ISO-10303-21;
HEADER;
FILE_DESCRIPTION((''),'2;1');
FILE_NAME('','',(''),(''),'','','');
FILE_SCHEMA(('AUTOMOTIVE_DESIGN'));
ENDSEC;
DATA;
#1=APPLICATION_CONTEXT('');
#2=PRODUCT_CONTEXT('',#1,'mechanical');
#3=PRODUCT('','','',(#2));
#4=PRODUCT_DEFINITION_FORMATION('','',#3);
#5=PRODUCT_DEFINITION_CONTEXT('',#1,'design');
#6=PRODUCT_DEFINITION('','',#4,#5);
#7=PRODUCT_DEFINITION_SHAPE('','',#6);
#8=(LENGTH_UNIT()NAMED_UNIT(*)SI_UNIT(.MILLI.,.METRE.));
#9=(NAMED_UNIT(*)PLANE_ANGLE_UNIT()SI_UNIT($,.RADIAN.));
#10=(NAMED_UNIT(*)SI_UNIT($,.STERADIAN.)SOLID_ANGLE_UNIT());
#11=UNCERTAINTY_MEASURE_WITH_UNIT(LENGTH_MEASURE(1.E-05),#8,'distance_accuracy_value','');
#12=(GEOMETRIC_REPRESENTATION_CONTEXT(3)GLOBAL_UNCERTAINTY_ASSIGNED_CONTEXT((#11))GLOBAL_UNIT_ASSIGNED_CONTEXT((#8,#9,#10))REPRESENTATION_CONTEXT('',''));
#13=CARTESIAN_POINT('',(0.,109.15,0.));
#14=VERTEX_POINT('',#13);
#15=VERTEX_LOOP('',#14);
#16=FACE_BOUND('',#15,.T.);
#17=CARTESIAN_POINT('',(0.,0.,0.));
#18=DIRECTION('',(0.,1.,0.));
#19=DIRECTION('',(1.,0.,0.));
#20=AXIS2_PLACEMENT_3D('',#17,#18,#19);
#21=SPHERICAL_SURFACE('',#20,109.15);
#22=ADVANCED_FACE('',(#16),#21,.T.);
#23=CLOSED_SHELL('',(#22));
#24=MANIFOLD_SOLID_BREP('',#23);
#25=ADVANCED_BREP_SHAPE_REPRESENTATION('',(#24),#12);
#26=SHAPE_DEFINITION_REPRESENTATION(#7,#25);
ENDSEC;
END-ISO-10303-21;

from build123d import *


with BuildPart() as part:
    # Sketch1 → Revolve5 (revolve)
    with BuildSketch(Plane.XY):
        with BuildLine():
            Line((0, 109.15), (0, -109.15))
            ThreePointArc((0, -109.15), (-109.15, 0), (0, 109.15))
        make_face()
    revolve(axis=Axis((0, 109.15, 0), (0, -1, 0)))


solid = part.part
